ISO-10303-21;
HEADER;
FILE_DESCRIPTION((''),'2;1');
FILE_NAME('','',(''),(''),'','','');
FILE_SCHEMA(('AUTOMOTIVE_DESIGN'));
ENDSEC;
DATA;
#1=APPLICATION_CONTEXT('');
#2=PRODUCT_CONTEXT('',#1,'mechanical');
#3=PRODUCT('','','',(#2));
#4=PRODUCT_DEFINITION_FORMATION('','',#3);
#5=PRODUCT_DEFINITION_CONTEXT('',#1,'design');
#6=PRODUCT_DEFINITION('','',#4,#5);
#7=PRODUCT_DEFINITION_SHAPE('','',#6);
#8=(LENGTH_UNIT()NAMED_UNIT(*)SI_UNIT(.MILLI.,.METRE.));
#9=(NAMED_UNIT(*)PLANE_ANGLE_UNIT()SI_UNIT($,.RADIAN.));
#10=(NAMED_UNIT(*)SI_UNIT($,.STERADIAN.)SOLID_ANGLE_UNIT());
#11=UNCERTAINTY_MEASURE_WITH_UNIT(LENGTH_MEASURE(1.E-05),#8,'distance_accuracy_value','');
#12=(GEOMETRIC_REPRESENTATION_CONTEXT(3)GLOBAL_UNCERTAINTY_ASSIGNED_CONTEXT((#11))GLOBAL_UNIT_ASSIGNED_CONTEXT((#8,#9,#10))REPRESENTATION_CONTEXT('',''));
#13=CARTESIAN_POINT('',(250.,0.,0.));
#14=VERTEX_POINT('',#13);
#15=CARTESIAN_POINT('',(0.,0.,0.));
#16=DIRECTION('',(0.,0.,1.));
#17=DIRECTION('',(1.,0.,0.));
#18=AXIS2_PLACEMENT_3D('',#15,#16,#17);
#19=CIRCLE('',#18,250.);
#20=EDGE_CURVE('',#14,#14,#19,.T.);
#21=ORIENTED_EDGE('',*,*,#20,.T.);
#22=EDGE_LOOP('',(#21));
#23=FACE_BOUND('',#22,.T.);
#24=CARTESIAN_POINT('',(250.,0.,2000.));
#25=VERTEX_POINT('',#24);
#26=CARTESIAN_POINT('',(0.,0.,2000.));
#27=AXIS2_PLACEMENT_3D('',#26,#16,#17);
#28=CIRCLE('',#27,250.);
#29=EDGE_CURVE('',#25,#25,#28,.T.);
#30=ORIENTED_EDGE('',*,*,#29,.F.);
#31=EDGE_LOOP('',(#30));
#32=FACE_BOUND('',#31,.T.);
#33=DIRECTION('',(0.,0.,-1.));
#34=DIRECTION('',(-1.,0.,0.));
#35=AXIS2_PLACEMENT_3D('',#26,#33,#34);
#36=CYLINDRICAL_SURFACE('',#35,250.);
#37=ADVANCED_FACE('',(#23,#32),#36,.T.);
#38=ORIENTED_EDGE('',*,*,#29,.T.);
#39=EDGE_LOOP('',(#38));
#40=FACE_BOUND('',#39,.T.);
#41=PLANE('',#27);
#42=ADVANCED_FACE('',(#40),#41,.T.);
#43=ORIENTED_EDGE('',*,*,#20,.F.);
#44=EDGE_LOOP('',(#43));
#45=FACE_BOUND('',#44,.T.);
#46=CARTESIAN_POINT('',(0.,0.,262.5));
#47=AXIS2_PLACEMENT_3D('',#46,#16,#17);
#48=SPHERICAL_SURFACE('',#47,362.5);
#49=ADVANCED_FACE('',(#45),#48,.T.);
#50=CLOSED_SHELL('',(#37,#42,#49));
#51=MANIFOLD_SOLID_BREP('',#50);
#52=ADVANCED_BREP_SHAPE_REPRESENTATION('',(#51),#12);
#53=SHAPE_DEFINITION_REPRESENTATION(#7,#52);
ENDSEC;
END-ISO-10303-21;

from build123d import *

# Parameters (mm, degrees)
SKETCH2_R           = 250
BOSS_EXTRUDE1_DEPTH = 2000


with BuildPart() as part:
    # Sketch2 → Boss-Extrude1 (new body)
    with BuildSketch(Plane.XY):
        Circle(SKETCH2_R)
    extrude(amount=BOSS_EXTRUDE1_DEPTH)

    # Sketch7 → Revolve1 (revolve)
    with BuildSketch(Plane(origin=(0, 0, 0), x_dir=(1, 0, 0), z_dir=(0, 1, 0))):
        with BuildLine():
            Line((0, 0), (0, 100))
            ThreePointArc((0, 100), (134.629120178, 74.072800446), (250, 0))
            Line((250, 0), (0, 0))
        make_face()
    revolve(axis=Axis((0, 0, 0), (0, 0, -1)))


solid = part.part
